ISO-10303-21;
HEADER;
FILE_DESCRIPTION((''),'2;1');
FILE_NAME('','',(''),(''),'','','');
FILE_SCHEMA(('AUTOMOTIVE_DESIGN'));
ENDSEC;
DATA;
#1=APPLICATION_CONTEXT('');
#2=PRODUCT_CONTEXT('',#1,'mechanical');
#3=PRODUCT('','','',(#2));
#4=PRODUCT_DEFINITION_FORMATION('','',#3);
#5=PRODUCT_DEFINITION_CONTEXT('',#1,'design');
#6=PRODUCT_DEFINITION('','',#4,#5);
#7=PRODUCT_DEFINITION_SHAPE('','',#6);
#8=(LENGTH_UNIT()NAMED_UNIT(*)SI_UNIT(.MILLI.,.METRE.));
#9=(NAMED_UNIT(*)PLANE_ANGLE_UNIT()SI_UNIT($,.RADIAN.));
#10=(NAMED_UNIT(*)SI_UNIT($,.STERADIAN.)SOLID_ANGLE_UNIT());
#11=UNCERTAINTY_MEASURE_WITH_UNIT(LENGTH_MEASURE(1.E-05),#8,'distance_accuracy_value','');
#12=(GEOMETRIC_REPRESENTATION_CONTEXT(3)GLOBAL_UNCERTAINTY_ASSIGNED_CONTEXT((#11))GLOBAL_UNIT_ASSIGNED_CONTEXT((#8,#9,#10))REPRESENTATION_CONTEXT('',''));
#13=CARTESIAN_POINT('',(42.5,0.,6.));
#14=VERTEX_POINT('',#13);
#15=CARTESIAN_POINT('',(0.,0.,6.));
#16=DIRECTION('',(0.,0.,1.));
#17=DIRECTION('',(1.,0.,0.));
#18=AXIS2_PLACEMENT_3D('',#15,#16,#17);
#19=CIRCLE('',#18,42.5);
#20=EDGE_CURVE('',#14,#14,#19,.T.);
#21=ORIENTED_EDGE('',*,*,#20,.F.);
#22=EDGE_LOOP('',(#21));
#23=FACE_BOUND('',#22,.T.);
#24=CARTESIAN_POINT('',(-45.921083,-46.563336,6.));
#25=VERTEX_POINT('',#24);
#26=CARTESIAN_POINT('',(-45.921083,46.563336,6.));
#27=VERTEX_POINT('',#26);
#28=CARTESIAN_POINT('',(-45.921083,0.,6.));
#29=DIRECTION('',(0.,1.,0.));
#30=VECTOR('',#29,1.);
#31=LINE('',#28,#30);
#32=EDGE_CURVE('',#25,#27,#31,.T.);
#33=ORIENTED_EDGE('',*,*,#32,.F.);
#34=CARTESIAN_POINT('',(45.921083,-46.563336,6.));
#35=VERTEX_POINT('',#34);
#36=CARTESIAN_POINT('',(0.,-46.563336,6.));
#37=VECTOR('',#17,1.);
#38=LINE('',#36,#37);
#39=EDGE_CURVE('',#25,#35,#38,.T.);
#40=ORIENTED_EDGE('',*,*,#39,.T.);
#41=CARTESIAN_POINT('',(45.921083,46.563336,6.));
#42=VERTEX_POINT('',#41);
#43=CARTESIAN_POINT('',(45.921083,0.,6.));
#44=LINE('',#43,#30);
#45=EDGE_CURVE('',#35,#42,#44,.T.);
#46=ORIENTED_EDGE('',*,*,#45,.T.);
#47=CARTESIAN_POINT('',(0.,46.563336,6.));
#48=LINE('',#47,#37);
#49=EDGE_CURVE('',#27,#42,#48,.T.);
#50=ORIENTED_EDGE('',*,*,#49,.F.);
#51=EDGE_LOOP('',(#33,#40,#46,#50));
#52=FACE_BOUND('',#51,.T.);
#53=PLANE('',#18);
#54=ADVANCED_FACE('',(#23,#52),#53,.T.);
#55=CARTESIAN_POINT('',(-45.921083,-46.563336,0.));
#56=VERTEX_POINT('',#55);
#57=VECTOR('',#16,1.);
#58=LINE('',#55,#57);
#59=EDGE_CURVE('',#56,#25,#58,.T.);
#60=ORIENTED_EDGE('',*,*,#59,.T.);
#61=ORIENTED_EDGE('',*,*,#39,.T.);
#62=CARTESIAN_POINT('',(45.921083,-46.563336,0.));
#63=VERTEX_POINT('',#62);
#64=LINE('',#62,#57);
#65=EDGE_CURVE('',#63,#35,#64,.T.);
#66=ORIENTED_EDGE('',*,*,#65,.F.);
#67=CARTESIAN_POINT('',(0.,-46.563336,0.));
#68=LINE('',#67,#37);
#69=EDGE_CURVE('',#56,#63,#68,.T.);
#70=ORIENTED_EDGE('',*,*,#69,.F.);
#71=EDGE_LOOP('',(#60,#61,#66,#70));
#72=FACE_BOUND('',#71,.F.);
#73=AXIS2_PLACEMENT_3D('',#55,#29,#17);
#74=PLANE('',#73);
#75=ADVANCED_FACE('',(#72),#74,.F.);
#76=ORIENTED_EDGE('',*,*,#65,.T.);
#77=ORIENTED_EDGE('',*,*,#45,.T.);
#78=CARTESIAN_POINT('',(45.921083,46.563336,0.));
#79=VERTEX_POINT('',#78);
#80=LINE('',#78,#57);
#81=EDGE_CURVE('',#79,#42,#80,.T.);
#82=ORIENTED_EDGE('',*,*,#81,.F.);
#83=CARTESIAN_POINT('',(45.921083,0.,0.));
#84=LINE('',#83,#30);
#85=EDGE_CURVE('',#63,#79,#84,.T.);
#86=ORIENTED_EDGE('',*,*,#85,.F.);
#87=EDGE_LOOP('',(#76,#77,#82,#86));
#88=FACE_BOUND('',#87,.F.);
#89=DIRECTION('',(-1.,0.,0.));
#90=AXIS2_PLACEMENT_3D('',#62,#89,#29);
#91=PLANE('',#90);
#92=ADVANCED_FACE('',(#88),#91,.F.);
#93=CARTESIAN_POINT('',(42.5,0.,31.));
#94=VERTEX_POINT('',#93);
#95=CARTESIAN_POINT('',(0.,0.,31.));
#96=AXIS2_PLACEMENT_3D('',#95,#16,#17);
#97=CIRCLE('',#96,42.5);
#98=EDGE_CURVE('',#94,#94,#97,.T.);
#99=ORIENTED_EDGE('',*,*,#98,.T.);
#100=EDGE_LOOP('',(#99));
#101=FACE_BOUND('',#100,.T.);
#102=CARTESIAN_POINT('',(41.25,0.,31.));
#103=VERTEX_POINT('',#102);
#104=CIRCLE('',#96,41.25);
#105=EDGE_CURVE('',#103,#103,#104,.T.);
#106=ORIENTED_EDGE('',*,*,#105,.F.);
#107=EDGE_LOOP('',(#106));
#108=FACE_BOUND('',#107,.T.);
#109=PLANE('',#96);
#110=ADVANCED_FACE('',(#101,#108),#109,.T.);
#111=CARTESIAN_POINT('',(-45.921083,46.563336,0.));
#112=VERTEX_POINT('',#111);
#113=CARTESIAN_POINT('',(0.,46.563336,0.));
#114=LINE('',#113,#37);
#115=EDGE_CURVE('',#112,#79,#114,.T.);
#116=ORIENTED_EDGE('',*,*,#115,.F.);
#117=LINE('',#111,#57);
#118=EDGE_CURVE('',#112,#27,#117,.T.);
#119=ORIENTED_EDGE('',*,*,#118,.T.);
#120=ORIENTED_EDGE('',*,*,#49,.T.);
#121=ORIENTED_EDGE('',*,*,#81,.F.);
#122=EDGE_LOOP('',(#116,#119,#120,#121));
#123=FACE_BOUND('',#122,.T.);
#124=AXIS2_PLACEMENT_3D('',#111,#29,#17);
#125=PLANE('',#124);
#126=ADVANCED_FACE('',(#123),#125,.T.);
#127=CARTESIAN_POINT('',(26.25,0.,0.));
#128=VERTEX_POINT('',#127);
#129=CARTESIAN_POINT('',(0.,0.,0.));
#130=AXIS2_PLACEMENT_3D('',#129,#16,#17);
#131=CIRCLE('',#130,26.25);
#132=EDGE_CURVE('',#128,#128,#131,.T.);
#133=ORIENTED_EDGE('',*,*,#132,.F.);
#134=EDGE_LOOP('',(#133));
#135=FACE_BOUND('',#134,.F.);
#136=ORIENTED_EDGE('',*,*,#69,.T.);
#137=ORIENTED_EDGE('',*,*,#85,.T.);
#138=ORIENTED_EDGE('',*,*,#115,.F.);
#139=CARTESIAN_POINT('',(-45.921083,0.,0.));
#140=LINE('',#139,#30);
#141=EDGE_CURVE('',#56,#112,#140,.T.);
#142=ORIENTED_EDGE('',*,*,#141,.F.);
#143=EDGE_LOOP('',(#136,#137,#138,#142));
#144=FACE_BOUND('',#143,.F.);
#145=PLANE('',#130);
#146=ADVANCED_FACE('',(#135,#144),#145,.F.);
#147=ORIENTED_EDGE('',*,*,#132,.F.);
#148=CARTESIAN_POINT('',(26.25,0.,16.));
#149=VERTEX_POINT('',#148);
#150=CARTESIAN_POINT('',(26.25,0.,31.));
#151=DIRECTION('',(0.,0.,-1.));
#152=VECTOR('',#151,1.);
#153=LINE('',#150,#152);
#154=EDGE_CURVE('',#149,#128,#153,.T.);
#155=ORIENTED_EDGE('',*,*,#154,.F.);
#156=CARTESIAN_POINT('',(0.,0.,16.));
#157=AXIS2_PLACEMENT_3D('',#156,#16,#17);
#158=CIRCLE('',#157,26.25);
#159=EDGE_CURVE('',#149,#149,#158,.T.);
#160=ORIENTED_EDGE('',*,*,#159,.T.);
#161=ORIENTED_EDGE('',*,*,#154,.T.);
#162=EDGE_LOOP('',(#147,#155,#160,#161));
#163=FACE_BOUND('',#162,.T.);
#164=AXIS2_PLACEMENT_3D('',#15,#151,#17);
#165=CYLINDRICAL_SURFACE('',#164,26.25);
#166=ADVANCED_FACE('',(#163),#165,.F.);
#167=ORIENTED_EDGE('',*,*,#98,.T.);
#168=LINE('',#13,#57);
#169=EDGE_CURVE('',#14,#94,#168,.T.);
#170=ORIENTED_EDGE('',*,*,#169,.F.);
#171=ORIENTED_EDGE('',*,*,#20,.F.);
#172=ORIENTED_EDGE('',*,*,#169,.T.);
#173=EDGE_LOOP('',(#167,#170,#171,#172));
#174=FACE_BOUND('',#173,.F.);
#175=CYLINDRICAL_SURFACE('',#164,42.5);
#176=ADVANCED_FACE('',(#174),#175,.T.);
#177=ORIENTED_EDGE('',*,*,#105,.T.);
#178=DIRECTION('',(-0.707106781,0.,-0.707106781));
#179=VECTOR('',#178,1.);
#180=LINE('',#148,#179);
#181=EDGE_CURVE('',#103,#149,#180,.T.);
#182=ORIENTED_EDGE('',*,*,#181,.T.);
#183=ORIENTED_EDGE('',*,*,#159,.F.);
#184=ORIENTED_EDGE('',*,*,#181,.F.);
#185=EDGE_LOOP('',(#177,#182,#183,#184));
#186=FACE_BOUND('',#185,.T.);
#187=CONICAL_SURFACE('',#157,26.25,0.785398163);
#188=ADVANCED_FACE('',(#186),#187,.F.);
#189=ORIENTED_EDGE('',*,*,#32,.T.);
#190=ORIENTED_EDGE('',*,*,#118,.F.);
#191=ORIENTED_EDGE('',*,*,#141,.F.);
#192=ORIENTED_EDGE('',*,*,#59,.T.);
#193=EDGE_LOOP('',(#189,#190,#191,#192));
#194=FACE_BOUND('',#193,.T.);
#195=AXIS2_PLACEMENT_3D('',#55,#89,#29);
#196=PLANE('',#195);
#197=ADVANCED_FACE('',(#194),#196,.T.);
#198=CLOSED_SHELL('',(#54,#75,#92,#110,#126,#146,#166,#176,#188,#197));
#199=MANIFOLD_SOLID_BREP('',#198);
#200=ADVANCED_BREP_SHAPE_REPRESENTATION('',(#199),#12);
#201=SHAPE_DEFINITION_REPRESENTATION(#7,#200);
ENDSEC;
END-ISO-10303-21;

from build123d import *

# Parameters (mm, degrees)
F0_W     = 91.8421666365
F0_H     = 93.1266715601
F0_R     = 26.25
F1_DEPTH = 6
F2_R     = 42.5
F2_R_2   = 26.25
F3_DEPTH = 25
F4_SIZE  = 15


with BuildPart() as f1:
    # F0 (on Top) → F1 (new body)
    with BuildSketch(Plane.XY):
        Rectangle(F0_W, F0_H)
        Circle(F0_R, mode=Mode.SUBTRACT)
    extrude(amount=F1_DEPTH)

    # F2 (on face) → F3 (join)
    with BuildSketch(Plane.XY.offset(6)):
        Circle(F2_R)
        Circle(F2_R_2, mode=Mode.SUBTRACT)
    extrude(amount=F3_DEPTH)

    # F4
    f4_edges = [f1.edges().sort_by_distance(p)[0] for p in [
        (-26.25, 0, 31),
    ]]
    chamfer(f4_edges, length=F4_SIZE)


solid = f1.part
